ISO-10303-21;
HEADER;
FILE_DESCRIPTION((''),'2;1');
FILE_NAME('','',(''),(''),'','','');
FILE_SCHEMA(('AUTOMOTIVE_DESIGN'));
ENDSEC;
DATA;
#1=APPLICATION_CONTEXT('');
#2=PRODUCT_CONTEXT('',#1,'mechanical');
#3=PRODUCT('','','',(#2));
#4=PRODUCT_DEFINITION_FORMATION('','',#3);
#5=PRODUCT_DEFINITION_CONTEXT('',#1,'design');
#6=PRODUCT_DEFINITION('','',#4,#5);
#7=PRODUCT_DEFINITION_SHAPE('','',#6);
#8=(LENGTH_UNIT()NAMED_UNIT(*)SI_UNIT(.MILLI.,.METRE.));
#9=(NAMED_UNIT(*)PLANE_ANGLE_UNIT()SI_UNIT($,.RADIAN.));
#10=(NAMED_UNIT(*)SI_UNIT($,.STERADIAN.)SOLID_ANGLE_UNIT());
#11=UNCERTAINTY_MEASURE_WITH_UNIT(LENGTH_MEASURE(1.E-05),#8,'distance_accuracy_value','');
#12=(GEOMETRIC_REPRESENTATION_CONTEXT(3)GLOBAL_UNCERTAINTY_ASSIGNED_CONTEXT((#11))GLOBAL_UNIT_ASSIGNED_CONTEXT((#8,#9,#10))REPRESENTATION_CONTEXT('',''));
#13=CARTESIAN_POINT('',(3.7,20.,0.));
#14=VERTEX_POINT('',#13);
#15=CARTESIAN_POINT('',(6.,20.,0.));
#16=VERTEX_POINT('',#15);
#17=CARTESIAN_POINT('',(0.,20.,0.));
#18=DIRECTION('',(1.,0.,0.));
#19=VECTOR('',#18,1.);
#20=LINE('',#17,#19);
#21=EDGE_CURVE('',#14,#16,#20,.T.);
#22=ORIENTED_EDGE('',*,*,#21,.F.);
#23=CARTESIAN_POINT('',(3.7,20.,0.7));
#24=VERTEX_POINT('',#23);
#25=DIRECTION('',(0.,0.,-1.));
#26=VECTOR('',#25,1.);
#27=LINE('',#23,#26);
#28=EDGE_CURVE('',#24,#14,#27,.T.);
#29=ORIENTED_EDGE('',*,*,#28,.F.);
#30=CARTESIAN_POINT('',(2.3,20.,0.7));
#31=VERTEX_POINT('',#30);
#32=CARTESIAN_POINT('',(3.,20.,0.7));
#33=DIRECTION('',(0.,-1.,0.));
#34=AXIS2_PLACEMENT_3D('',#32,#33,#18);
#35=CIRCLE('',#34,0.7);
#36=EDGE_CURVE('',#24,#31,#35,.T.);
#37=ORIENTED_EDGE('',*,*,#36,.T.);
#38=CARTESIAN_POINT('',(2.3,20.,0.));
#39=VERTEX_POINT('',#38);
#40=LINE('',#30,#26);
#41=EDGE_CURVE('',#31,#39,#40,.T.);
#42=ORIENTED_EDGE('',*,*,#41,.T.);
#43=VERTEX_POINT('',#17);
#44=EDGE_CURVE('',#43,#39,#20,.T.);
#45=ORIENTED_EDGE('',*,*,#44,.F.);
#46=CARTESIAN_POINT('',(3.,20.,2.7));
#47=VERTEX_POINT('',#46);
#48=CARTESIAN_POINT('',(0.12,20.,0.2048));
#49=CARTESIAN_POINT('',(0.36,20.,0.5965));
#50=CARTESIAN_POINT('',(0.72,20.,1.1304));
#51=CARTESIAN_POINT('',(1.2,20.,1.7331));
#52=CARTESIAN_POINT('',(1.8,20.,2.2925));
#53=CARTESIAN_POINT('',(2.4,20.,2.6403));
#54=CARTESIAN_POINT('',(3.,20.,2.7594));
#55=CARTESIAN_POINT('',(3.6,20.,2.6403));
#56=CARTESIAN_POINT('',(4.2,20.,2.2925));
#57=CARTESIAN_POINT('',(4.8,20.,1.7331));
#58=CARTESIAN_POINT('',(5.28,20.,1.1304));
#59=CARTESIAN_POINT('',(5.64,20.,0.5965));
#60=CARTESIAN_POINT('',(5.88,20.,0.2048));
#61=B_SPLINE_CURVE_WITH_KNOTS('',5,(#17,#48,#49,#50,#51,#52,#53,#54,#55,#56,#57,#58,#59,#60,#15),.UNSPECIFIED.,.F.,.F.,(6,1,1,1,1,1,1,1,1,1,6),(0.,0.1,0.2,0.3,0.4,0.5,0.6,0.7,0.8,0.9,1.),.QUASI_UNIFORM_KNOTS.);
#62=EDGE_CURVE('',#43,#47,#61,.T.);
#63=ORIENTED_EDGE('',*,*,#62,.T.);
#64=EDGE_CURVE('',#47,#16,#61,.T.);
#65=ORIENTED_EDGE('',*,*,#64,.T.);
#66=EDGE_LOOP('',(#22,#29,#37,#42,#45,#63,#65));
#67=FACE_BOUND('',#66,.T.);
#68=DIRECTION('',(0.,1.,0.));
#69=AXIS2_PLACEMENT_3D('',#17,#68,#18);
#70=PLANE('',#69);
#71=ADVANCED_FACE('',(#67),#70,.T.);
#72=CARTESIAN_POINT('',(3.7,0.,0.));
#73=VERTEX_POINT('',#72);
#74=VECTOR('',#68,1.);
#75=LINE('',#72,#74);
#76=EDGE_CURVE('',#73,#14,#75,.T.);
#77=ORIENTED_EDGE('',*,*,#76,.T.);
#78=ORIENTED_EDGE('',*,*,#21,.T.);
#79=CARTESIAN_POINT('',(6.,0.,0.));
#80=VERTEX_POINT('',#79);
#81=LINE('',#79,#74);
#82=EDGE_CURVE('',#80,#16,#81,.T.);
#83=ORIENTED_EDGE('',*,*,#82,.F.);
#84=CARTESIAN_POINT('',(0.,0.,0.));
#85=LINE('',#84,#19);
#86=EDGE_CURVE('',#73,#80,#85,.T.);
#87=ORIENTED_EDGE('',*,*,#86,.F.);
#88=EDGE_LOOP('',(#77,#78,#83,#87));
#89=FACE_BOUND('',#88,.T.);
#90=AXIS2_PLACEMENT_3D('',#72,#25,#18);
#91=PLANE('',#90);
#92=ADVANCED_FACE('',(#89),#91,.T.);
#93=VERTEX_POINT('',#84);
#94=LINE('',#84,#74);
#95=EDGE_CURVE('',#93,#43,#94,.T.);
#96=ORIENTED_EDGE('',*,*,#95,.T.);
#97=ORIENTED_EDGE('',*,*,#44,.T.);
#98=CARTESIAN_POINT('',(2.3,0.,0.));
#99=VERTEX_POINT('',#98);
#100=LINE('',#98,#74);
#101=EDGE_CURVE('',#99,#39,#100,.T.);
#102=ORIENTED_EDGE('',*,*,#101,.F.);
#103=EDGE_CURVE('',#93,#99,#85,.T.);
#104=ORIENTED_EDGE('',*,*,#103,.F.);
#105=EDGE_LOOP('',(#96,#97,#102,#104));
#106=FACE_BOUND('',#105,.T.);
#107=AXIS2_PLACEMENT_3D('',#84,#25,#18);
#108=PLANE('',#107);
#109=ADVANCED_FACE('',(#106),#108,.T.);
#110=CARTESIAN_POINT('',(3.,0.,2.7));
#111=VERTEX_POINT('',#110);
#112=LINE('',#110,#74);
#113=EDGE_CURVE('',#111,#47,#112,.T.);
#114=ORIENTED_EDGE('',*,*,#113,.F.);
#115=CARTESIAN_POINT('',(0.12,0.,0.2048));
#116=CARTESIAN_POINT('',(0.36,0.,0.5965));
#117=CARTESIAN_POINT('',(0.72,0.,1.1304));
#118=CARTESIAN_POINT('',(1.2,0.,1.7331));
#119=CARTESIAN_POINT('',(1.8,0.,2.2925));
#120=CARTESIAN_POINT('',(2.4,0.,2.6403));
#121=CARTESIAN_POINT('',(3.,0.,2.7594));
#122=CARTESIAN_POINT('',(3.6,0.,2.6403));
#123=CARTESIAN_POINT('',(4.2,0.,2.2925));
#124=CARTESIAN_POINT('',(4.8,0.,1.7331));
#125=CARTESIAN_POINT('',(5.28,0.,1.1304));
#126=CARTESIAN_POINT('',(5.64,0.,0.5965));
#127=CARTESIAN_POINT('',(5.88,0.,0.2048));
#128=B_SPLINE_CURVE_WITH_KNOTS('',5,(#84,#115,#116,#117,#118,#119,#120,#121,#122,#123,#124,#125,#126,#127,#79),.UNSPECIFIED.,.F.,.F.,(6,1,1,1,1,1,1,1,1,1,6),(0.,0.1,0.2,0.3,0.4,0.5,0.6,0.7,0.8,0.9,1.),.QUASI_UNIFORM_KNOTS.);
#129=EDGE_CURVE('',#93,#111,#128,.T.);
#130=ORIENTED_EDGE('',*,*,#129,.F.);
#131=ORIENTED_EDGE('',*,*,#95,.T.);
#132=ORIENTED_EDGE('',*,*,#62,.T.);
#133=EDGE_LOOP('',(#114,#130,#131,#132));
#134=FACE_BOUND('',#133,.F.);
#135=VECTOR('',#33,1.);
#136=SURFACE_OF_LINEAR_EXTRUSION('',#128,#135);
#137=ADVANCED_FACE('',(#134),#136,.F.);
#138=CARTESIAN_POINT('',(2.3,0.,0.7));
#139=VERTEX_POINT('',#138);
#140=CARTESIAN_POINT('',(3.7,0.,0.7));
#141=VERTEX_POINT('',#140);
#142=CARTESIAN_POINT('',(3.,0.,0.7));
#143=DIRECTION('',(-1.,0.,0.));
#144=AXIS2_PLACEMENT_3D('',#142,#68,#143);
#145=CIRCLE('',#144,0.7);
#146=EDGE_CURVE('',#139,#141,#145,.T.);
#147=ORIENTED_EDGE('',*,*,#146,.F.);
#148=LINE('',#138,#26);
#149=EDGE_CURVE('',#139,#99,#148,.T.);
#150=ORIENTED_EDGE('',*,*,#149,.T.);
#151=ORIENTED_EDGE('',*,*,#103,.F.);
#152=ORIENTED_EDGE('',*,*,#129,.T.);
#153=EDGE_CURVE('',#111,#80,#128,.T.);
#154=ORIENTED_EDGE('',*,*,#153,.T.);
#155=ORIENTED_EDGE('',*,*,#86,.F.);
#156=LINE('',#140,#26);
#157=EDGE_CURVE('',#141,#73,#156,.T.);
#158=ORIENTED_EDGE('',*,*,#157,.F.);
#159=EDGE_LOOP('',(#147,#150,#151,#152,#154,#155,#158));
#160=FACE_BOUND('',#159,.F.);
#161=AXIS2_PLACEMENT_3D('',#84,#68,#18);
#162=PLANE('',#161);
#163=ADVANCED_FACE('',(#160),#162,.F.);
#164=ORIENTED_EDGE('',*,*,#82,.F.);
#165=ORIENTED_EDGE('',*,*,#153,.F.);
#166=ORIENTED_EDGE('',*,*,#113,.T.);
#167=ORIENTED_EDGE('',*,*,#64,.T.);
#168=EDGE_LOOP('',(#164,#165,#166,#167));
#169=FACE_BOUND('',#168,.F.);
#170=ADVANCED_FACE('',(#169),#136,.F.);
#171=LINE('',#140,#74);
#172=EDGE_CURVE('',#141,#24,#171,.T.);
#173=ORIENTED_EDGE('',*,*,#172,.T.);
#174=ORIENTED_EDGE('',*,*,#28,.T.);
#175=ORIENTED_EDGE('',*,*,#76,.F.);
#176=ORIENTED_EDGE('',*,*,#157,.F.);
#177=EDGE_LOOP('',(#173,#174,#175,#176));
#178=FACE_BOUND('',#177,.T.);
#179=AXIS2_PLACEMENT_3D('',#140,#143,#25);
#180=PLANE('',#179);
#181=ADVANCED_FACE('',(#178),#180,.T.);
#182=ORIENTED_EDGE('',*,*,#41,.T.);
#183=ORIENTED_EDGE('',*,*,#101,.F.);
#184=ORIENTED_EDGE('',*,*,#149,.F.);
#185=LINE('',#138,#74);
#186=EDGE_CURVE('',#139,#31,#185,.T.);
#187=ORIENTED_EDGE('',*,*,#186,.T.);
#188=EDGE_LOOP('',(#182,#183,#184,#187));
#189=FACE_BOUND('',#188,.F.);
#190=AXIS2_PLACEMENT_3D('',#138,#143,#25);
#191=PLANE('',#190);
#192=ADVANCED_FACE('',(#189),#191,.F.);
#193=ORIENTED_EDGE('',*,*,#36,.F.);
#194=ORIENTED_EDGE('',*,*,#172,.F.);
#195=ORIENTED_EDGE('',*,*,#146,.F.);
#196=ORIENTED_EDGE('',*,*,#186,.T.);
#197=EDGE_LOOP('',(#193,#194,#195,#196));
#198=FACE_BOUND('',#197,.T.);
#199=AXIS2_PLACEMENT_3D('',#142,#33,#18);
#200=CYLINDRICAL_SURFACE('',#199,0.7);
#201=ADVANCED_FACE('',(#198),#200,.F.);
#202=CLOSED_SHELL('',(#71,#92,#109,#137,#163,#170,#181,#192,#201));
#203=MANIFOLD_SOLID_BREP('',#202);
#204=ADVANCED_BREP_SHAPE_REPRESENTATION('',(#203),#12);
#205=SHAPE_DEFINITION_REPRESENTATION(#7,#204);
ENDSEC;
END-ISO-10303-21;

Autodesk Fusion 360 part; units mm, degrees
sketch "Sketch1" plane through (0, 0, 0) normal (0, 1, 0) x (1, 0, 0)
  line L0 (0, 0) -> (6, 0)
  line L1 (3, 0) -> (3, -0.7)
  circle A0 centre (3, -0.7) radius 0.7
  line L2 (3, -0.7) -> (3, -2.7)
  spline S0 degree 5 poles (0, 0) (0.12, -0.2048) (0.36, -0.5965) (0.72, -1.1304) (1.2, -1.7331) (1.8, -2.2925) (2.4, -2.6403) (3, -2.7594) (3.6, -2.6403) (4.2, -2.2925) (4.8, -1.7331) (5.28, -1.1304) (5.64, -0.5965) (5.88, -0.2048) (6, 0) knots 0 0 0 0 0 0 0.1 0.2 0.3 0.4 0.5 0.6 0.7 0.8 0.9 1 1 1 1 1 1
  line L3 (3, -0.7) -> (2.3, -0.7)
  line L4 (2.3, -0.7) -> (2.3, 0)
  line L5 (3, -0.7) -> (3.7, -0.7)
  line L6 (3.7, -0.7) -> (3.7, 0)
  dimension "d1" = 6
  dimension "d2" = 0.7
  dimension "d3" = 2
extrude "Extrude1" add sketch "Sketch1" along normal blind 20 contours L0 A0 L2 S0 L4 | L0 A0 L2 S0 L6
